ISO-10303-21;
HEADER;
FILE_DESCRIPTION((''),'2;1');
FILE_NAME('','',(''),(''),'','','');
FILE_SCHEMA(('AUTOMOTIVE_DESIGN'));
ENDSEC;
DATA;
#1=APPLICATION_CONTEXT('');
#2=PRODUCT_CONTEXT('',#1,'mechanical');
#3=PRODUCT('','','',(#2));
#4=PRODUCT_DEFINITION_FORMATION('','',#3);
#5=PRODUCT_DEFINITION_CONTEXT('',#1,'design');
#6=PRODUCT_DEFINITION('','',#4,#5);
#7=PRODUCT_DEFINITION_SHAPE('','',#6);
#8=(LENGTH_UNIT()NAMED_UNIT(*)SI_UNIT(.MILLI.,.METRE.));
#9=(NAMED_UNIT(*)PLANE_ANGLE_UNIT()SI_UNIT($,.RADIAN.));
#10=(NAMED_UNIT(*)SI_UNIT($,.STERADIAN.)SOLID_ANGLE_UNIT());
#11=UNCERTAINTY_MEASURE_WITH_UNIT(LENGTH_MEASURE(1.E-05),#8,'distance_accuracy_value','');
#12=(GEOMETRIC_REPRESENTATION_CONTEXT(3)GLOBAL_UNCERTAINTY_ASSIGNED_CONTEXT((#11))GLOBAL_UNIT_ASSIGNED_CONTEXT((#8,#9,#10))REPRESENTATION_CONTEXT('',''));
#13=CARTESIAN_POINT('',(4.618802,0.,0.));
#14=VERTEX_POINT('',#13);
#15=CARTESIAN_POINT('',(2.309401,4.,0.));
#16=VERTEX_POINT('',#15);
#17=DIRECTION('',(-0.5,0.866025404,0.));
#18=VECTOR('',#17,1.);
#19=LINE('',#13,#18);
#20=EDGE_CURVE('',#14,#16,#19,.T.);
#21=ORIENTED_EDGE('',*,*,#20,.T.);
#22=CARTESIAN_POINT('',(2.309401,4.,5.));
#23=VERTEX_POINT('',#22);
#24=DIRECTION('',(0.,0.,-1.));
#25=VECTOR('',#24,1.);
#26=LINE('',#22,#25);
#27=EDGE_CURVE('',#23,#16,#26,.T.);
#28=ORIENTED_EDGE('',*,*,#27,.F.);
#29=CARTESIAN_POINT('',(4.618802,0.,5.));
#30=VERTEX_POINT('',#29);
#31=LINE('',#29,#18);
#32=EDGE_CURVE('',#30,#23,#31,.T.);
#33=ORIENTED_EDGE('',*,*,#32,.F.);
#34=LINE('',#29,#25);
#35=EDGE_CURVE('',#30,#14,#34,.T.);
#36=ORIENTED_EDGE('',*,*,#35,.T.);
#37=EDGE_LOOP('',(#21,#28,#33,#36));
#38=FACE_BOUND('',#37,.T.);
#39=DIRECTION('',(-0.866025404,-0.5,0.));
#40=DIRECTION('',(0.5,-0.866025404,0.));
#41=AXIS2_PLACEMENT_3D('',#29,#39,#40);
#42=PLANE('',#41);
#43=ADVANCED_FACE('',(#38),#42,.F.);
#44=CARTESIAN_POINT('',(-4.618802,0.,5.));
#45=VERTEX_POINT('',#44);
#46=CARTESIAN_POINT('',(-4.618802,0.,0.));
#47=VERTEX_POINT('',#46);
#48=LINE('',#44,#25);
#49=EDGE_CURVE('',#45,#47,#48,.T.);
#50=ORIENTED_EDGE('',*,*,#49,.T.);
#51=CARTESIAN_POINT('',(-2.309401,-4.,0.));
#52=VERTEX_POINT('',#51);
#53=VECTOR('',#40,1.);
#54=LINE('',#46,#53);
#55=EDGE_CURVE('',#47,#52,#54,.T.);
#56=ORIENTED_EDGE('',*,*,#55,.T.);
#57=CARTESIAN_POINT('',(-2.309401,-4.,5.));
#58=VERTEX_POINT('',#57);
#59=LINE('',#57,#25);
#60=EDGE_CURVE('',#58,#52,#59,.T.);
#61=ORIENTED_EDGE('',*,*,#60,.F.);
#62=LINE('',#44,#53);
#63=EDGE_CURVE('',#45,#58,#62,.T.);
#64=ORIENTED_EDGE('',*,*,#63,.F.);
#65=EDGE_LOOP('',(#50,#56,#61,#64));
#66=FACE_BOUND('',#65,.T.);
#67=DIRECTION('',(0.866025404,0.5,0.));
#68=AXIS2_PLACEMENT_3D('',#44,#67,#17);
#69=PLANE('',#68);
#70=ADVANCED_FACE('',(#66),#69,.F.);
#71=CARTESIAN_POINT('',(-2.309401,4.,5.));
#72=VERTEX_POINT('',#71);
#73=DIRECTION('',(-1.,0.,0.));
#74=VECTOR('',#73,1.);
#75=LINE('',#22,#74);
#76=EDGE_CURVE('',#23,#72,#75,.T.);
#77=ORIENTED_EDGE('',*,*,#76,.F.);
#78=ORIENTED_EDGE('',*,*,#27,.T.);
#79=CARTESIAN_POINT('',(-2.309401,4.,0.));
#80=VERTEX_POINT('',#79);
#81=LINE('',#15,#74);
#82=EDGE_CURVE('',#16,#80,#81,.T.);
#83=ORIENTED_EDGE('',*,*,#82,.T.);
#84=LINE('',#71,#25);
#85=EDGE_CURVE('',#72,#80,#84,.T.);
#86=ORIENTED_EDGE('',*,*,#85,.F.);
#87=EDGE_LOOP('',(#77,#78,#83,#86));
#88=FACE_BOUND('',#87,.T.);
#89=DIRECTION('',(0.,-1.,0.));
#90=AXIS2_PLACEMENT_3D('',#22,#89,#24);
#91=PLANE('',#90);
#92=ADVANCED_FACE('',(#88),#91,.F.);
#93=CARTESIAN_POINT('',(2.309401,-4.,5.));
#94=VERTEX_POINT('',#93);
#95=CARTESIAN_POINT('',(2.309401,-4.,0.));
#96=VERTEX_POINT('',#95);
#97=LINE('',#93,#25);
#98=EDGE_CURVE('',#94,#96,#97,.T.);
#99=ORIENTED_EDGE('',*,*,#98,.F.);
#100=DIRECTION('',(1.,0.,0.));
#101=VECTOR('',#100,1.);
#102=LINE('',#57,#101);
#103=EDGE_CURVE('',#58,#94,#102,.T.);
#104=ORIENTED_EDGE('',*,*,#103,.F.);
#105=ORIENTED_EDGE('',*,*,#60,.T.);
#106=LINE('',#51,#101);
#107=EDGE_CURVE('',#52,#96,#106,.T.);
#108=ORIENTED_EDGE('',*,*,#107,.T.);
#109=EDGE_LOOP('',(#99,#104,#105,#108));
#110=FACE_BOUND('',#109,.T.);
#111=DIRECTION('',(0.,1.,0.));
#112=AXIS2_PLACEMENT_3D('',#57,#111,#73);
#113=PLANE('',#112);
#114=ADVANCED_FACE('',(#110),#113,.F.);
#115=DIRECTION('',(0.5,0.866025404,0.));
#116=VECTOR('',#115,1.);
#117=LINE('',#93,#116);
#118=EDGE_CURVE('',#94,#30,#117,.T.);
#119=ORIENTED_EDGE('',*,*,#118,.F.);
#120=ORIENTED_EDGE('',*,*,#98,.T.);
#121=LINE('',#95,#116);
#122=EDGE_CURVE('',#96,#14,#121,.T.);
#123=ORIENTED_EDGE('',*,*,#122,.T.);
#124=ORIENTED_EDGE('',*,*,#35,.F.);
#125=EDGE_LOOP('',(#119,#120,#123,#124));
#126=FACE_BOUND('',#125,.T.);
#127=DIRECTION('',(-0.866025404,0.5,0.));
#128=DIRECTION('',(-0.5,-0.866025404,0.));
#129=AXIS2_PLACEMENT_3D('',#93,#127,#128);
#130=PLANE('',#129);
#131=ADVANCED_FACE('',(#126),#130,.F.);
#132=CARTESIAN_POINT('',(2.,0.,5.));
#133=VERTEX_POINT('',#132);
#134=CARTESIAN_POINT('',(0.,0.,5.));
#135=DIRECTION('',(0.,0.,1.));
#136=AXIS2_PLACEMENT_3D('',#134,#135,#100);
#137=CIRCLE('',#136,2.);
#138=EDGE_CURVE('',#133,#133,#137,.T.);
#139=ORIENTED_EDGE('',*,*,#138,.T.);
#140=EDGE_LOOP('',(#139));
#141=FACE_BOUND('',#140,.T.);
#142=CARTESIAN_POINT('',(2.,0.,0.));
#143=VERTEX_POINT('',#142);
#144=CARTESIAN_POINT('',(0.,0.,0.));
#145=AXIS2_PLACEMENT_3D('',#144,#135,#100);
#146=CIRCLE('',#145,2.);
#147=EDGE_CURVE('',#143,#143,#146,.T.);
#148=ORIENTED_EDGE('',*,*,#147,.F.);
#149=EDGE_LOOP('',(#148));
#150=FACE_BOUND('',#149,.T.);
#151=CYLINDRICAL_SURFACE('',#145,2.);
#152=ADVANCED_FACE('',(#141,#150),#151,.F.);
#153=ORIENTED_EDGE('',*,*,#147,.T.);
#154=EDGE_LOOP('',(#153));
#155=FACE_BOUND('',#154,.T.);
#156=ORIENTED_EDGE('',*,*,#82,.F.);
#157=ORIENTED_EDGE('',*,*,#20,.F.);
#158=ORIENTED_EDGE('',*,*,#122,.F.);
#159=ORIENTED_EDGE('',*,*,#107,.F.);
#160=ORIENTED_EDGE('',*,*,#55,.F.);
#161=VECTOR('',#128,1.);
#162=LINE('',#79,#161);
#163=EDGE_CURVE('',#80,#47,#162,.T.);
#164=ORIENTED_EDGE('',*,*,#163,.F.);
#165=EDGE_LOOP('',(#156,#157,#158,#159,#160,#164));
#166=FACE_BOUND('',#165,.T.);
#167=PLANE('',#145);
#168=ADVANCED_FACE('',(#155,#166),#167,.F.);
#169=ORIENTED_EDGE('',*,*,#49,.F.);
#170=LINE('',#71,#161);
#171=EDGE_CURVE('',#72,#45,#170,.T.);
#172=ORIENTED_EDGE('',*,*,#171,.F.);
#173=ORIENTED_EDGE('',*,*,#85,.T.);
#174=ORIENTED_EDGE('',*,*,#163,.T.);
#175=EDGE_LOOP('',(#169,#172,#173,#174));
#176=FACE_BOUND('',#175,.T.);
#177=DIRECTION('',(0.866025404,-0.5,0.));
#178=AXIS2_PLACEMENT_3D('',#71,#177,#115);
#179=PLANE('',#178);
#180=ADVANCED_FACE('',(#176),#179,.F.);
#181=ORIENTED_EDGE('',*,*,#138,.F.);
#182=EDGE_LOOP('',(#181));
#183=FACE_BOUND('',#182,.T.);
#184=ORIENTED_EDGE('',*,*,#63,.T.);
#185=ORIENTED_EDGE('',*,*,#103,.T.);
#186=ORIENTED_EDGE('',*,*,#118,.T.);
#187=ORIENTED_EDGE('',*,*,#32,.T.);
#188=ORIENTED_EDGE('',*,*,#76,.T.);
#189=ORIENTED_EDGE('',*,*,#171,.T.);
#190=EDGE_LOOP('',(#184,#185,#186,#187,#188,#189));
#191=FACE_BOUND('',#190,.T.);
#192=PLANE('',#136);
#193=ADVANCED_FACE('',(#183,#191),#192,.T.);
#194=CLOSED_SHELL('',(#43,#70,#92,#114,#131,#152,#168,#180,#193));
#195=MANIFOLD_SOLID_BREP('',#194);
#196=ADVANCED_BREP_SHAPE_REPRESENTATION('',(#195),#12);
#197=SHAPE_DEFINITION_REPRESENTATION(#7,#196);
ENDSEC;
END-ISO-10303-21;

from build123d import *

# Parameters (mm, degrees)
BOSS_EXTRUDE1_DEPTH = 5
SKETCH2_R           = 2
CUT_EXTRUDE1_DEPTH  = 5


with BuildPart() as part:
    # Sketch1 → Boss-Extrude1 (new body)
    with BuildSketch(Plane.XY):
        Polygon((4.618802154, 0), (2.309401077, 4), (-2.309401077, 4), (-4.618802154, 0), (-2.309401077, -4), (2.309401077, -4), align=None)
    extrude(amount=BOSS_EXTRUDE1_DEPTH)

    # Sketch2 → Cut-Extrude1 (cut)
    with BuildSketch(Plane.XY.offset(5)):
        Circle(SKETCH2_R)
    extrude(amount=-CUT_EXTRUDE1_DEPTH, mode=Mode.SUBTRACT)


solid = part.part
